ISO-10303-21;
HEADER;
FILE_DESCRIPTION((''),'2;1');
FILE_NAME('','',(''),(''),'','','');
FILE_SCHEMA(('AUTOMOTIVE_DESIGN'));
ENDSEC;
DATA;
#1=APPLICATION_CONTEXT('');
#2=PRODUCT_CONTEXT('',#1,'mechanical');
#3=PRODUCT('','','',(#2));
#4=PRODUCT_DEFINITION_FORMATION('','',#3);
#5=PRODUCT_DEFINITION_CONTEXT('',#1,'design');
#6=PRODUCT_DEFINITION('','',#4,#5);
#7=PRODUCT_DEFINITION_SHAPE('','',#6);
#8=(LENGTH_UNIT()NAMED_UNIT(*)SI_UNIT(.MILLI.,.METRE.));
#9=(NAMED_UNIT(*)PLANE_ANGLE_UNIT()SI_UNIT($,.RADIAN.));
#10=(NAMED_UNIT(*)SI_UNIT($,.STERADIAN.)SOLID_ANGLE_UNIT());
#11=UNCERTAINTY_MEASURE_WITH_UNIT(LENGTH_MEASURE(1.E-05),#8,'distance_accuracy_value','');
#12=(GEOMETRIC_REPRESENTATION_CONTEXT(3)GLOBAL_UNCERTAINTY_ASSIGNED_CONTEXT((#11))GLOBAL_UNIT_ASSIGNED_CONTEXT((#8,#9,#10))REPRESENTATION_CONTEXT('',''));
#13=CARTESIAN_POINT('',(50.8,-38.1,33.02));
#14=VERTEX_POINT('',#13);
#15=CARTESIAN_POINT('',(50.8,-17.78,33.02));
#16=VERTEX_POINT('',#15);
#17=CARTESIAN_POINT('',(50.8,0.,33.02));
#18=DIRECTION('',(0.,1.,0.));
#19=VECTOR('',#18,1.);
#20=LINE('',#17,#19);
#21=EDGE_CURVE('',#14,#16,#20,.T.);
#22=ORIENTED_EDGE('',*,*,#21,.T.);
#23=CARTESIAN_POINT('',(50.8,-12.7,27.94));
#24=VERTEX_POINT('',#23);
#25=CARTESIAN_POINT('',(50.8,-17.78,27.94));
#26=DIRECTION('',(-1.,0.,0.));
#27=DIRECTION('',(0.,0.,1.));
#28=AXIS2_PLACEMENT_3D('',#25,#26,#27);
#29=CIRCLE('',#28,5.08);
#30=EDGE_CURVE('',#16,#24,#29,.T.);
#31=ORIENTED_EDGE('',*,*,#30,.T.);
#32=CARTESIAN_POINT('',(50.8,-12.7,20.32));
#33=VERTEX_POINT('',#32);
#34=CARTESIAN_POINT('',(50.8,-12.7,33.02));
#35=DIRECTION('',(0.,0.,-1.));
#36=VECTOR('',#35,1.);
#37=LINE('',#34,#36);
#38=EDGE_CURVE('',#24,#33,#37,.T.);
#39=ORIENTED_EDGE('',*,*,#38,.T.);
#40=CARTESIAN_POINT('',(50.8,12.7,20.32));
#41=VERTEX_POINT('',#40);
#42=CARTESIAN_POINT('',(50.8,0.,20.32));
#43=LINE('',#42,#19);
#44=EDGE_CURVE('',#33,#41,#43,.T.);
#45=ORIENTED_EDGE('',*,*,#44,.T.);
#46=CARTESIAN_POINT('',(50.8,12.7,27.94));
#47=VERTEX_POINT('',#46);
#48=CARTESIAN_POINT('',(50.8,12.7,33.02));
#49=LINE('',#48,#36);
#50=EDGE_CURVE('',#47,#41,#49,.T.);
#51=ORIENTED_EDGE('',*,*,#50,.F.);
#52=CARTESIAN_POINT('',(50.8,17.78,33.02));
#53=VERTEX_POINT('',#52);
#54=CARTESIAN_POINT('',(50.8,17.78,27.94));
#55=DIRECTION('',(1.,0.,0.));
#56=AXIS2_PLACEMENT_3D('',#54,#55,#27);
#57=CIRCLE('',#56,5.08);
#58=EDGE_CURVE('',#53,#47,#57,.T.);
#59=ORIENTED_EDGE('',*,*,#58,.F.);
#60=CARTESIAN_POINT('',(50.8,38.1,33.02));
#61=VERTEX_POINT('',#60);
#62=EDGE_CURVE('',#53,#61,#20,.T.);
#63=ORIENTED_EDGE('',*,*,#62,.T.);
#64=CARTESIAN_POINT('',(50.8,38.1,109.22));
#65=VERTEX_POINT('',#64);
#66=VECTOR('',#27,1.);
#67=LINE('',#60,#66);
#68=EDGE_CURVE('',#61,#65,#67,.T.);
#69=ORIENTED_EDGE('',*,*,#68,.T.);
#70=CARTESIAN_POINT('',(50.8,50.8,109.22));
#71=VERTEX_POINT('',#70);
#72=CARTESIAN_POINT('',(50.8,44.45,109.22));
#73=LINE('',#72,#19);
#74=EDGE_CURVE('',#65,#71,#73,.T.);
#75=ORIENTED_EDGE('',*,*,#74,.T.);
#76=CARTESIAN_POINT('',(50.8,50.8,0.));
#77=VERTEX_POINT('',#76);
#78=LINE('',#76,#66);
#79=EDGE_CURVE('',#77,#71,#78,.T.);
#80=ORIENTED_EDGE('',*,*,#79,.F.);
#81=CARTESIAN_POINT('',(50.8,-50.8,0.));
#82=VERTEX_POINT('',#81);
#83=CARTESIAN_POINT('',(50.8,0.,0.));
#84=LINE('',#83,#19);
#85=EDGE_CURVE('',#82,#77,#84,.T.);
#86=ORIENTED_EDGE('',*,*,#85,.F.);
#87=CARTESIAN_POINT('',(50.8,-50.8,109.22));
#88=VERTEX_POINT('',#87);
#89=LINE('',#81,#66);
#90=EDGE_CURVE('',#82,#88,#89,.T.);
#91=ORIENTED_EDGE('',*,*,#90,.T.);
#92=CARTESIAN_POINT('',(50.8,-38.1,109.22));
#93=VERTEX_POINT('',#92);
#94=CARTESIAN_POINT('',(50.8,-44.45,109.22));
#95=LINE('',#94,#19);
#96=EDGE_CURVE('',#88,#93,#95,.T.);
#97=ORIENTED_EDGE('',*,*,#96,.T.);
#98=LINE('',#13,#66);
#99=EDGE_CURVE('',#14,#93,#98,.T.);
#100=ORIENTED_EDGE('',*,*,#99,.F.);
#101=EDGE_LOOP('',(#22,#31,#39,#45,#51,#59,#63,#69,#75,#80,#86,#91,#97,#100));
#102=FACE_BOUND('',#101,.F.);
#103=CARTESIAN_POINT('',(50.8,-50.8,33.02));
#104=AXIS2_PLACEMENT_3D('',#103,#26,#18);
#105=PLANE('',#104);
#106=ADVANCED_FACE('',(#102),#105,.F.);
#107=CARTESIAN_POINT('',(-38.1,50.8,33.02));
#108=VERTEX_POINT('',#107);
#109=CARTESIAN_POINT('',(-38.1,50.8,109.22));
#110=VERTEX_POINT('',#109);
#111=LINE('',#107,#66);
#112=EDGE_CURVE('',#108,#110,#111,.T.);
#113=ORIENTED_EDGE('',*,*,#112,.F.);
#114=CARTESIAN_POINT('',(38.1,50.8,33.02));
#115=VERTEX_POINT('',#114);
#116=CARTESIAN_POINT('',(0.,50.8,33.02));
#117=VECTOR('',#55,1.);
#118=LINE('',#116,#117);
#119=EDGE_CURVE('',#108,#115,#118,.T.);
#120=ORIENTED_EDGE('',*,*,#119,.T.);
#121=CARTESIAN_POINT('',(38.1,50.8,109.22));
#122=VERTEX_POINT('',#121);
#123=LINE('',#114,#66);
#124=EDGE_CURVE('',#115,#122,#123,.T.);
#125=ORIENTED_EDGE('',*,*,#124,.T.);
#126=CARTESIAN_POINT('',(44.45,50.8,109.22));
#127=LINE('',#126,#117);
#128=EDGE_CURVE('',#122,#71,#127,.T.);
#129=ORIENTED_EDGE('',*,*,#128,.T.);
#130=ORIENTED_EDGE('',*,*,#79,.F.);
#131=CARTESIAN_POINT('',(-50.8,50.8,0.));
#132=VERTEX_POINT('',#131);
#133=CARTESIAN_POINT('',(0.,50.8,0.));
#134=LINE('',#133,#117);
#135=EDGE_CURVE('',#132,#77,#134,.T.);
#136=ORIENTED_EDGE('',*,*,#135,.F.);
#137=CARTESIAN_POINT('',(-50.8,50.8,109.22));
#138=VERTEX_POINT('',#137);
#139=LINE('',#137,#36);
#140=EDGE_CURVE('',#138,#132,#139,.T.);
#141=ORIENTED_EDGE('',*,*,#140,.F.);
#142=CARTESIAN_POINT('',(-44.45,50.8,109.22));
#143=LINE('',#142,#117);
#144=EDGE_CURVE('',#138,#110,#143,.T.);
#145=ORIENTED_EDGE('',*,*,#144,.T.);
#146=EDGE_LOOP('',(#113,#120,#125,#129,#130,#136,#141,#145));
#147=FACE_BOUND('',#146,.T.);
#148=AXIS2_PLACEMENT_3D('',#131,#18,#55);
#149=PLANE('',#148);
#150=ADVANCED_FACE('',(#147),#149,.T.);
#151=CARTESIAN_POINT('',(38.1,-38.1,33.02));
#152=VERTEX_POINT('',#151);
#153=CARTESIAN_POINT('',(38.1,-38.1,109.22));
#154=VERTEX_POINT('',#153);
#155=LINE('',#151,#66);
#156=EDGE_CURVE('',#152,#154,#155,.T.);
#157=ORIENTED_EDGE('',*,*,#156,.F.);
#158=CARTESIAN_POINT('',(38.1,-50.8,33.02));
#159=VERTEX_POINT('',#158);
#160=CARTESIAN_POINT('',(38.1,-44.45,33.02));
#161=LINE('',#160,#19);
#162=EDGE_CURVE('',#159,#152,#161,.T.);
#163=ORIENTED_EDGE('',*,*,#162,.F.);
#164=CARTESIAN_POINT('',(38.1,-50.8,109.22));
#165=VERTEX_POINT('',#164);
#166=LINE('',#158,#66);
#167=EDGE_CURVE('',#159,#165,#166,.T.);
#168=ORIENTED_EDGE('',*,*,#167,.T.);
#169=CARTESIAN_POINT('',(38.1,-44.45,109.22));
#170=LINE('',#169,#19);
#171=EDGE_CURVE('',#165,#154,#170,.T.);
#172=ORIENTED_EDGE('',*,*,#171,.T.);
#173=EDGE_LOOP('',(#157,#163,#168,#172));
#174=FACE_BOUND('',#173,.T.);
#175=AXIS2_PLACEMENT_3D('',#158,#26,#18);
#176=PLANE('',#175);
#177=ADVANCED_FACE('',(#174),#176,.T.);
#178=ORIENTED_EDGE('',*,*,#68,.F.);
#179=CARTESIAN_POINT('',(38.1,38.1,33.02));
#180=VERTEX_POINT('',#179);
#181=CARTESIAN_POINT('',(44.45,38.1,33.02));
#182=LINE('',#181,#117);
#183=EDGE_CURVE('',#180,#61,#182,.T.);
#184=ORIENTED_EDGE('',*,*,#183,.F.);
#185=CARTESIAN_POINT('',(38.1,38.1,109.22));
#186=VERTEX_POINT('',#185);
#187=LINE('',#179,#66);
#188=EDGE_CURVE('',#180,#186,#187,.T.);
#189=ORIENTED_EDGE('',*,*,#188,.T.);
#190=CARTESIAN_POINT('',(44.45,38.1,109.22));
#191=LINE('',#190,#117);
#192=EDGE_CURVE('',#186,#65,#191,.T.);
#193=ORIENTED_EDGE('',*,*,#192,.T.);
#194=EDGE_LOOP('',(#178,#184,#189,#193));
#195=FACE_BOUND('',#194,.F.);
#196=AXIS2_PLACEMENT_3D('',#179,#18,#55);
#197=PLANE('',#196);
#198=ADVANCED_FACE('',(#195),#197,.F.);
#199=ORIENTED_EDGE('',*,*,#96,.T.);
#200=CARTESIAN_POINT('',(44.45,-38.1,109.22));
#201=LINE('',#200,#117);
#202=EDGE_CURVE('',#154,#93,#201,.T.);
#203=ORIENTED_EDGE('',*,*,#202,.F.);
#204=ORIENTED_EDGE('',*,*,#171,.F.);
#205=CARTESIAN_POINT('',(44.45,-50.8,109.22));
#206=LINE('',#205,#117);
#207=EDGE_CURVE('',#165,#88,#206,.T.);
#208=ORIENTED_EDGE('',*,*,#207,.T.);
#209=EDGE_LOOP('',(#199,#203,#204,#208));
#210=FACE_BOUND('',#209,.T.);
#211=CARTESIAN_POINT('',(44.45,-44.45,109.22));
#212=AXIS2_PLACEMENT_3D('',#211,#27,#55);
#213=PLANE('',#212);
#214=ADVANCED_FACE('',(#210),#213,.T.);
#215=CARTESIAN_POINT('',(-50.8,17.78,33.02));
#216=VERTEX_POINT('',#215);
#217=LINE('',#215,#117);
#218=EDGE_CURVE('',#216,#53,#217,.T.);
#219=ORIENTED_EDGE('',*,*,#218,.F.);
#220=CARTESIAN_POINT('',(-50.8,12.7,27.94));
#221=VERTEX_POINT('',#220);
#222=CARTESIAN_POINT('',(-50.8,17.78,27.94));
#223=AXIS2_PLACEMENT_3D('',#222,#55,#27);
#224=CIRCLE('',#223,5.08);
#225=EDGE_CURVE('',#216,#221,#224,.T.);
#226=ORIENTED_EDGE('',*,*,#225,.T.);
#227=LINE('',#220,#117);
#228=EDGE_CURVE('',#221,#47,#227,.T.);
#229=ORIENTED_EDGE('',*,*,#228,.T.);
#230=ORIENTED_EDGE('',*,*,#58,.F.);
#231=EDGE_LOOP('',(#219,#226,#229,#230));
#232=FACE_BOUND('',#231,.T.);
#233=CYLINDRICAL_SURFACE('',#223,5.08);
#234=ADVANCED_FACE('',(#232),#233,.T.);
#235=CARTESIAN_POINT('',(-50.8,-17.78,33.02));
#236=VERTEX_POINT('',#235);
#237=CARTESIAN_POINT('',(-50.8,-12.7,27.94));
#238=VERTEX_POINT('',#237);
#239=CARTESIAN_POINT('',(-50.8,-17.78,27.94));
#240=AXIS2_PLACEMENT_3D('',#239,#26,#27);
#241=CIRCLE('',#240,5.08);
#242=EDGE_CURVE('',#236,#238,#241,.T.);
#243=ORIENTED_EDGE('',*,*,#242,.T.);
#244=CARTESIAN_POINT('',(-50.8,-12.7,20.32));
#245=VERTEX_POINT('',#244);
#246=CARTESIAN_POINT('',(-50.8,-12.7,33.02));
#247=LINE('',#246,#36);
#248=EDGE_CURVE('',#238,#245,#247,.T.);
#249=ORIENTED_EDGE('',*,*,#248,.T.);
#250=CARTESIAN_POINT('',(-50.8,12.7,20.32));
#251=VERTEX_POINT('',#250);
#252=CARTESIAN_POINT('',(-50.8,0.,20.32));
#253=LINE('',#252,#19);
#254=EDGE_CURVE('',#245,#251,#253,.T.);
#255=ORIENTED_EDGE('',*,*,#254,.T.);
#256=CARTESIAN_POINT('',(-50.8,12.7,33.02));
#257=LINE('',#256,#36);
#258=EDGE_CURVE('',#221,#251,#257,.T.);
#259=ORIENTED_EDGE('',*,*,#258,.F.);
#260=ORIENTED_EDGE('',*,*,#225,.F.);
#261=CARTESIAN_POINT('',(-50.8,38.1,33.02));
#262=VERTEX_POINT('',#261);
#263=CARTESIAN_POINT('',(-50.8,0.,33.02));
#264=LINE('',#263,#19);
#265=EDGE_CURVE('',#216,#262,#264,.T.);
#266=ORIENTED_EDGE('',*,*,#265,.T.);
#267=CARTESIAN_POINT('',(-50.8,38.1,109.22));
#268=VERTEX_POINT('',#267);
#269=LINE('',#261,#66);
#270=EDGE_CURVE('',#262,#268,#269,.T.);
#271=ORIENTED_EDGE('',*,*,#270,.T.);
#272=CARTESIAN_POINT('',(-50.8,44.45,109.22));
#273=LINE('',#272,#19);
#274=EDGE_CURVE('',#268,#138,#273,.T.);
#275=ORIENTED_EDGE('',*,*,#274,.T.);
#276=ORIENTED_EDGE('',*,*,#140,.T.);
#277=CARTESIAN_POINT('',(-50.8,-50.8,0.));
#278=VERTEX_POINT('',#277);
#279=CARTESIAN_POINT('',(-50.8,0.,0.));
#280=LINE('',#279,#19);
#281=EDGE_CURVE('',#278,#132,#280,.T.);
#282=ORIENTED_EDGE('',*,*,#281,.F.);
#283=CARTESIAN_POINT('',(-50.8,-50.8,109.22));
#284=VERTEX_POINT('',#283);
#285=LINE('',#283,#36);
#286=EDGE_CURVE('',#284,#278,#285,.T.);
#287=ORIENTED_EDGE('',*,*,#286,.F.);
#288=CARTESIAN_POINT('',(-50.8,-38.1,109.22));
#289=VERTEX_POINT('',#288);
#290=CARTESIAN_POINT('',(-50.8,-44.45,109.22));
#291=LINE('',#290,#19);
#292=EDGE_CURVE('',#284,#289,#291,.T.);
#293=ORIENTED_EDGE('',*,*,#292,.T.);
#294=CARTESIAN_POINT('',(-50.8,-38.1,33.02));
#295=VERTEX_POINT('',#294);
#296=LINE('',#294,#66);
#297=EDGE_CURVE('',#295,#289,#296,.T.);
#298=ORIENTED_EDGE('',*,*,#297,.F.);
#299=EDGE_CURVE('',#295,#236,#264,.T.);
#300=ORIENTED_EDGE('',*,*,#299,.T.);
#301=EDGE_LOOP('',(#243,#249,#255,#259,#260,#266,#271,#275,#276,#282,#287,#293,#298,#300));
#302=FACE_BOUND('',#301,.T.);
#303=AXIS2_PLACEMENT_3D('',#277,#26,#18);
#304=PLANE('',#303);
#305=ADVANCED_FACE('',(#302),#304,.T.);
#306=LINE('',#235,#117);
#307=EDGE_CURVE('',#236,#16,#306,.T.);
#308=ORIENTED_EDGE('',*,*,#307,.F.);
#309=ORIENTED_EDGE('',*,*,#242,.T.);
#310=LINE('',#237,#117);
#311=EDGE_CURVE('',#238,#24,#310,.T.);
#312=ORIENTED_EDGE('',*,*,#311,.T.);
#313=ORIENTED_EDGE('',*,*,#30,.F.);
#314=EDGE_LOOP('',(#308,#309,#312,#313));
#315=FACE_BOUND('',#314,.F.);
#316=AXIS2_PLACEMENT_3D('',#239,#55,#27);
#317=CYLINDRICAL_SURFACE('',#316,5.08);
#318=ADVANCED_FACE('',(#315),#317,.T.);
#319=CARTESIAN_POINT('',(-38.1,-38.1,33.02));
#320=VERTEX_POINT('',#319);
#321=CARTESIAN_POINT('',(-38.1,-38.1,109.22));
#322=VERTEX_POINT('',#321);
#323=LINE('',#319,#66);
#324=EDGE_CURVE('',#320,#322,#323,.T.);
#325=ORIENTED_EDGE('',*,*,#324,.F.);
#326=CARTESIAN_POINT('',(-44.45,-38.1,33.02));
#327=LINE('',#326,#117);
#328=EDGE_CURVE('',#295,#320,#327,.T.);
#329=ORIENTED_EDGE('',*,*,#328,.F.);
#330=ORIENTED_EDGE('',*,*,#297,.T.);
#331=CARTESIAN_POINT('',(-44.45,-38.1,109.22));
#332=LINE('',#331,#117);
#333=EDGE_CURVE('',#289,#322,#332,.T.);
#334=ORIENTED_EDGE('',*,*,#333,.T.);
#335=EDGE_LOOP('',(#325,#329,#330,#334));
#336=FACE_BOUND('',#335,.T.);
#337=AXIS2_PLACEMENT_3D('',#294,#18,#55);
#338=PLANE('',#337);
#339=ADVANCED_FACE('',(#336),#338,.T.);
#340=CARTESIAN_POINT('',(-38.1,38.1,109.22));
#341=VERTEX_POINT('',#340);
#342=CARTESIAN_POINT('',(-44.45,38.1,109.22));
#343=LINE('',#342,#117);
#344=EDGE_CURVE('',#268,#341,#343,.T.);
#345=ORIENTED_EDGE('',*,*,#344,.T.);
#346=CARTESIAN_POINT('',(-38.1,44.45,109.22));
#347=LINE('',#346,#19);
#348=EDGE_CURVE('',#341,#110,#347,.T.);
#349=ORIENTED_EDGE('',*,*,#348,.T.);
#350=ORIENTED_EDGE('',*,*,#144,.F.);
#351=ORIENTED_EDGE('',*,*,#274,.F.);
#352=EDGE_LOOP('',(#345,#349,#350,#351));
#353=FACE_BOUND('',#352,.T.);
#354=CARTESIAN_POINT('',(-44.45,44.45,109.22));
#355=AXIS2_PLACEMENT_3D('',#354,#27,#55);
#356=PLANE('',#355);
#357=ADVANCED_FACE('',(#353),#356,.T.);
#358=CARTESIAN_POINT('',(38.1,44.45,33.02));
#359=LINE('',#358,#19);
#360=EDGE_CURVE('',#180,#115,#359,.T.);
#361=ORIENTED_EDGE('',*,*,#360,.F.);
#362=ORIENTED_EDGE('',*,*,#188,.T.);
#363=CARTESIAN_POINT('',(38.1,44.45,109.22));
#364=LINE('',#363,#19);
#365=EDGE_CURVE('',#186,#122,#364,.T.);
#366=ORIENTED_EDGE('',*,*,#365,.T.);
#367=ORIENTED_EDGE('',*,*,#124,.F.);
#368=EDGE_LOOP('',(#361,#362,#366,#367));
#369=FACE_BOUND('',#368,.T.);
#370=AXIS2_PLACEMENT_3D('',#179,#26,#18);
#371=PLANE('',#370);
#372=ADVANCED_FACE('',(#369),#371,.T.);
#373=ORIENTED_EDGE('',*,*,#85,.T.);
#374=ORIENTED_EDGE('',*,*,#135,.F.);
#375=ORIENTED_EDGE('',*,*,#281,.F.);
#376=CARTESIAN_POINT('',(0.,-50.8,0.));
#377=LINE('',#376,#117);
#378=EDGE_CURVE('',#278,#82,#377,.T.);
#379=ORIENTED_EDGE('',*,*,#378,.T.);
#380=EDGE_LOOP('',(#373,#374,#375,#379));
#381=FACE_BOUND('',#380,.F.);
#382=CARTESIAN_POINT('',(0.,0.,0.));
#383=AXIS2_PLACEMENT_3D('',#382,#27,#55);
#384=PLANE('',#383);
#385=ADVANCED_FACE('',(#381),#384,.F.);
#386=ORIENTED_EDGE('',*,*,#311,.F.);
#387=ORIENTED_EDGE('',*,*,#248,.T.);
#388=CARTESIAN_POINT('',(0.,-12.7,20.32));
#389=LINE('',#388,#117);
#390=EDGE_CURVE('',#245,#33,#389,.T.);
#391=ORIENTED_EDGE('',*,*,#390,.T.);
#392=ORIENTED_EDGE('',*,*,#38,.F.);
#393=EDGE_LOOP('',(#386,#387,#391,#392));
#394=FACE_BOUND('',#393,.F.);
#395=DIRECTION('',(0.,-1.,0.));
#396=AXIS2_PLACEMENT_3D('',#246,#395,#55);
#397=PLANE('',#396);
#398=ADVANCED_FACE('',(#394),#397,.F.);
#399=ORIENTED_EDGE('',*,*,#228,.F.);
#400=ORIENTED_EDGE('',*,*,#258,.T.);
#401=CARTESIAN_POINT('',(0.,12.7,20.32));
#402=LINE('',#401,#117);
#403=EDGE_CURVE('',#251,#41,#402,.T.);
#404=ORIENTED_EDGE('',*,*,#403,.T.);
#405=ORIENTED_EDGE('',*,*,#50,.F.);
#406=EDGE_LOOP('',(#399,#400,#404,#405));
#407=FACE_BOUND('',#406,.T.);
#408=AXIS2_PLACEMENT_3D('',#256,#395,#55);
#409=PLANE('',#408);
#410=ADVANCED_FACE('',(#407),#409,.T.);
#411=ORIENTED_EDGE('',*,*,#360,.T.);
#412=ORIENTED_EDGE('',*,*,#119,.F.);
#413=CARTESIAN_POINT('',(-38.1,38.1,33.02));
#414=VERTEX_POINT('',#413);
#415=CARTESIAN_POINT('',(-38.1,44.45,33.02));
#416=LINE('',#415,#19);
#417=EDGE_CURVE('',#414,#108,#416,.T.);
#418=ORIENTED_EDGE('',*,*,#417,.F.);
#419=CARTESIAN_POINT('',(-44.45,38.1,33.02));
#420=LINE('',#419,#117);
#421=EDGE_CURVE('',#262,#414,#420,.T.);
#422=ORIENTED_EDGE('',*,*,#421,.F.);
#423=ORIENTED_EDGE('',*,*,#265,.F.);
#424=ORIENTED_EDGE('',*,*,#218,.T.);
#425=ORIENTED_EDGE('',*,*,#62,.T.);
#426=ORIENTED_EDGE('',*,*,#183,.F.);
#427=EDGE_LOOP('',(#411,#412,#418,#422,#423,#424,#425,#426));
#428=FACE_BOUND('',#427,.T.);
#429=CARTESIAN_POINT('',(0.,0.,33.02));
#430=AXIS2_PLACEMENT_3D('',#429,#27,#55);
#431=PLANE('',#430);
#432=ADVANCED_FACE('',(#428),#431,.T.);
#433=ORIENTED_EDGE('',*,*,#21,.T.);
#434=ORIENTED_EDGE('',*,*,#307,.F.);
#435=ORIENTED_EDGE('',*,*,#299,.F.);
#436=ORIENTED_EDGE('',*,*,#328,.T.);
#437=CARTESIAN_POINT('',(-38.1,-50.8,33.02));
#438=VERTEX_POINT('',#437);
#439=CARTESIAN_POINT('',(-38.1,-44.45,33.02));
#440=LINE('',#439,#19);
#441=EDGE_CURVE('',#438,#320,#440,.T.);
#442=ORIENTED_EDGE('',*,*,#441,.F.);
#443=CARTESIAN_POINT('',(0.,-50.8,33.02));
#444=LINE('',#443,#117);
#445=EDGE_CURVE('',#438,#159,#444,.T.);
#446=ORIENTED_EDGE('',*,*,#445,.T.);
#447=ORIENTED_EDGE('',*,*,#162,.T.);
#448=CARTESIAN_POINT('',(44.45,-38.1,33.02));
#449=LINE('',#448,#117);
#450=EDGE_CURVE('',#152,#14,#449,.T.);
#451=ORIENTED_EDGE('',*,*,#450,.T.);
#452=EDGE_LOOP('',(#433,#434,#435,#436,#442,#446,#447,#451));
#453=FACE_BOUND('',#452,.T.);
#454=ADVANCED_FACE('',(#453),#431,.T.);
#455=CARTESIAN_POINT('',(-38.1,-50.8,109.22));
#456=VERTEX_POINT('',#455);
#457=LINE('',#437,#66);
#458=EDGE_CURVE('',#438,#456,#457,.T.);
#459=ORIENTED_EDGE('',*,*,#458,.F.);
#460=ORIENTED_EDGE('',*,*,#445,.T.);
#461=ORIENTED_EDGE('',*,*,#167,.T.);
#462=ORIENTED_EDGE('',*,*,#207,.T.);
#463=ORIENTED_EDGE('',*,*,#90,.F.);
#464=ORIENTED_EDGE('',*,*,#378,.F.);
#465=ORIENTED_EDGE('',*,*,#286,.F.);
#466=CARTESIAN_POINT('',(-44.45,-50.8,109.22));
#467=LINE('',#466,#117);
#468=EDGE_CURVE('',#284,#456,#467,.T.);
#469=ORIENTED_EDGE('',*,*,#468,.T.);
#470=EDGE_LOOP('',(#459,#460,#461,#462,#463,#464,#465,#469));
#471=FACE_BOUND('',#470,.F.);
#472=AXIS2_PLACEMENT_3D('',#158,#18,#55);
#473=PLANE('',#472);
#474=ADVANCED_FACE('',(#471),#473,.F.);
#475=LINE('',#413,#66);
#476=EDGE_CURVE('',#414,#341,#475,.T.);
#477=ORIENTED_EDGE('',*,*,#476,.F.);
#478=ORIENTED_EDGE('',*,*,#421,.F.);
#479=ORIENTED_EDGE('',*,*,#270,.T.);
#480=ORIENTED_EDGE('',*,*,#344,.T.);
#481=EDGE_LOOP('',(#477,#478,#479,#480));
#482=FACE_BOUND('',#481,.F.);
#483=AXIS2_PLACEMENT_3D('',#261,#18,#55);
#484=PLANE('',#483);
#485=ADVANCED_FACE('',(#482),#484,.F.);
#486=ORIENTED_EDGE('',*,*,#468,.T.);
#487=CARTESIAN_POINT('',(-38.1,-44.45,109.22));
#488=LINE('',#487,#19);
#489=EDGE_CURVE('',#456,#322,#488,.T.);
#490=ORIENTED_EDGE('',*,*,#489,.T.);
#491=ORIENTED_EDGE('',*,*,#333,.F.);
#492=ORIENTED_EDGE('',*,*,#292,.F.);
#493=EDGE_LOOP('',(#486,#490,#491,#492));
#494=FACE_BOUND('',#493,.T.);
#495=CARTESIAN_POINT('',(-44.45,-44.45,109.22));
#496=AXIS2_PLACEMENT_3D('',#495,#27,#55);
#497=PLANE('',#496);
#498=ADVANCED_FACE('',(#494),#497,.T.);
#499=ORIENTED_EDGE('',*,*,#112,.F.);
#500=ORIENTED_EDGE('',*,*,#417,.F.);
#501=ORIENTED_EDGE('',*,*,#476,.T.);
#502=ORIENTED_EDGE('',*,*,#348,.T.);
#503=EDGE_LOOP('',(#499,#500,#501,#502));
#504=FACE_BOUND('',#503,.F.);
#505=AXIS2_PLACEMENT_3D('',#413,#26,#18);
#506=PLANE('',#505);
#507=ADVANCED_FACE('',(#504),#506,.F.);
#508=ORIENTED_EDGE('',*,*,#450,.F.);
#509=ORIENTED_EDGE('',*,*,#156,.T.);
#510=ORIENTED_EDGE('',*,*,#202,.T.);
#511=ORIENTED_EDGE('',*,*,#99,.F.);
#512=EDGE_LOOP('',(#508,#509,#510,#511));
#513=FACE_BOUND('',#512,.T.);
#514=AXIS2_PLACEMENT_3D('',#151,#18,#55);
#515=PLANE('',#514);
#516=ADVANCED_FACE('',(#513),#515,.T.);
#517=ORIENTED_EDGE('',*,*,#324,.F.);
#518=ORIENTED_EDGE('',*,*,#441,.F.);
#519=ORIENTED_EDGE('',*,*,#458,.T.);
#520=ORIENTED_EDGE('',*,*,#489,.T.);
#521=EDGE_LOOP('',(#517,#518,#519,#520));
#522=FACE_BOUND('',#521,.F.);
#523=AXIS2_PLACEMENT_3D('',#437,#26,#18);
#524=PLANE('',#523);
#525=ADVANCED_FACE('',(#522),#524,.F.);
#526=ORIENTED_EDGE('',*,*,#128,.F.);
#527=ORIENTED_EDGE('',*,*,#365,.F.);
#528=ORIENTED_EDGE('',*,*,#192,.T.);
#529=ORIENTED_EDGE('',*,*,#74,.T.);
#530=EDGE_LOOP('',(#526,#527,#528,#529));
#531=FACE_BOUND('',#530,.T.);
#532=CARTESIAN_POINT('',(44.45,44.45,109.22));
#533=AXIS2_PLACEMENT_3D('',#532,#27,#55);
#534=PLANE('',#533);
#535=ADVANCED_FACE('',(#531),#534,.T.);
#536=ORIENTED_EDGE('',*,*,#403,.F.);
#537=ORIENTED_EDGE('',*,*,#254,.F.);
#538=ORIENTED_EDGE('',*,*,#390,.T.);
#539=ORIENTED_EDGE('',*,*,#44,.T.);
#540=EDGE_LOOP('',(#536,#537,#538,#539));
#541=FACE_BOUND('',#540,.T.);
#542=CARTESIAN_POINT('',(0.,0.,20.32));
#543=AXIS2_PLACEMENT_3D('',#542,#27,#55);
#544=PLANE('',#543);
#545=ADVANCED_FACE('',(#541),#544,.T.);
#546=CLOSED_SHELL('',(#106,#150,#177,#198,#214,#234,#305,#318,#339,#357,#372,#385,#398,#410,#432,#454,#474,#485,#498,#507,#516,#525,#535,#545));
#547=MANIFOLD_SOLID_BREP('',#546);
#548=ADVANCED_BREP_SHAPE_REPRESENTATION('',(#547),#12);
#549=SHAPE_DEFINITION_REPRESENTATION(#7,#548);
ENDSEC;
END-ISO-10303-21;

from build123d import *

# Parameters (mm, degrees)
F0_W     = 101.6
F0_H     = 101.6
F1_DEPTH = 33.02
F2_W     = 12.7
F2_H     = 12.7
F3_DEPTH = 76.2
F4_W     = 101.6
F4_H     = 25.4
F5_DEPTH = 12.7
F6_R     = 5.08


with BuildPart() as f1:
    # F0 (on Top) → F1 (new body)
    with BuildSketch(Plane.XY):
        Rectangle(F0_W, F0_H)
    extrude(amount=F1_DEPTH)

    # F2 (on face) → F3 (join)
    with BuildSketch(Plane.XY.offset(33.02)):
        with Locations((44.45, -44.45)):
            Rectangle(F2_W, F2_H)
        with Locations((-44.45, -44.45)):
            Rectangle(F2_W, F2_H)
        with Locations((-44.45, 44.45)):
            Rectangle(F2_W, F2_H)
        with Locations((44.45, 44.45)):
            Rectangle(F2_W, F2_H)
    extrude(amount=F3_DEPTH)

    # F4 (on face) → F5 (cut)
    with BuildSketch(Plane.XY.offset(33.02)):
        Rectangle(F4_W, F4_H)
    extrude(amount=-F5_DEPTH, mode=Mode.SUBTRACT)

    # F6
    f6_edges = [f1.edges().sort_by_distance(p)[0] for p in [
        (0, 12.7, 33.02),
        (0, -12.7, 33.02),
    ]]
    fillet(f6_edges, radius=F6_R)


solid = f1.part
